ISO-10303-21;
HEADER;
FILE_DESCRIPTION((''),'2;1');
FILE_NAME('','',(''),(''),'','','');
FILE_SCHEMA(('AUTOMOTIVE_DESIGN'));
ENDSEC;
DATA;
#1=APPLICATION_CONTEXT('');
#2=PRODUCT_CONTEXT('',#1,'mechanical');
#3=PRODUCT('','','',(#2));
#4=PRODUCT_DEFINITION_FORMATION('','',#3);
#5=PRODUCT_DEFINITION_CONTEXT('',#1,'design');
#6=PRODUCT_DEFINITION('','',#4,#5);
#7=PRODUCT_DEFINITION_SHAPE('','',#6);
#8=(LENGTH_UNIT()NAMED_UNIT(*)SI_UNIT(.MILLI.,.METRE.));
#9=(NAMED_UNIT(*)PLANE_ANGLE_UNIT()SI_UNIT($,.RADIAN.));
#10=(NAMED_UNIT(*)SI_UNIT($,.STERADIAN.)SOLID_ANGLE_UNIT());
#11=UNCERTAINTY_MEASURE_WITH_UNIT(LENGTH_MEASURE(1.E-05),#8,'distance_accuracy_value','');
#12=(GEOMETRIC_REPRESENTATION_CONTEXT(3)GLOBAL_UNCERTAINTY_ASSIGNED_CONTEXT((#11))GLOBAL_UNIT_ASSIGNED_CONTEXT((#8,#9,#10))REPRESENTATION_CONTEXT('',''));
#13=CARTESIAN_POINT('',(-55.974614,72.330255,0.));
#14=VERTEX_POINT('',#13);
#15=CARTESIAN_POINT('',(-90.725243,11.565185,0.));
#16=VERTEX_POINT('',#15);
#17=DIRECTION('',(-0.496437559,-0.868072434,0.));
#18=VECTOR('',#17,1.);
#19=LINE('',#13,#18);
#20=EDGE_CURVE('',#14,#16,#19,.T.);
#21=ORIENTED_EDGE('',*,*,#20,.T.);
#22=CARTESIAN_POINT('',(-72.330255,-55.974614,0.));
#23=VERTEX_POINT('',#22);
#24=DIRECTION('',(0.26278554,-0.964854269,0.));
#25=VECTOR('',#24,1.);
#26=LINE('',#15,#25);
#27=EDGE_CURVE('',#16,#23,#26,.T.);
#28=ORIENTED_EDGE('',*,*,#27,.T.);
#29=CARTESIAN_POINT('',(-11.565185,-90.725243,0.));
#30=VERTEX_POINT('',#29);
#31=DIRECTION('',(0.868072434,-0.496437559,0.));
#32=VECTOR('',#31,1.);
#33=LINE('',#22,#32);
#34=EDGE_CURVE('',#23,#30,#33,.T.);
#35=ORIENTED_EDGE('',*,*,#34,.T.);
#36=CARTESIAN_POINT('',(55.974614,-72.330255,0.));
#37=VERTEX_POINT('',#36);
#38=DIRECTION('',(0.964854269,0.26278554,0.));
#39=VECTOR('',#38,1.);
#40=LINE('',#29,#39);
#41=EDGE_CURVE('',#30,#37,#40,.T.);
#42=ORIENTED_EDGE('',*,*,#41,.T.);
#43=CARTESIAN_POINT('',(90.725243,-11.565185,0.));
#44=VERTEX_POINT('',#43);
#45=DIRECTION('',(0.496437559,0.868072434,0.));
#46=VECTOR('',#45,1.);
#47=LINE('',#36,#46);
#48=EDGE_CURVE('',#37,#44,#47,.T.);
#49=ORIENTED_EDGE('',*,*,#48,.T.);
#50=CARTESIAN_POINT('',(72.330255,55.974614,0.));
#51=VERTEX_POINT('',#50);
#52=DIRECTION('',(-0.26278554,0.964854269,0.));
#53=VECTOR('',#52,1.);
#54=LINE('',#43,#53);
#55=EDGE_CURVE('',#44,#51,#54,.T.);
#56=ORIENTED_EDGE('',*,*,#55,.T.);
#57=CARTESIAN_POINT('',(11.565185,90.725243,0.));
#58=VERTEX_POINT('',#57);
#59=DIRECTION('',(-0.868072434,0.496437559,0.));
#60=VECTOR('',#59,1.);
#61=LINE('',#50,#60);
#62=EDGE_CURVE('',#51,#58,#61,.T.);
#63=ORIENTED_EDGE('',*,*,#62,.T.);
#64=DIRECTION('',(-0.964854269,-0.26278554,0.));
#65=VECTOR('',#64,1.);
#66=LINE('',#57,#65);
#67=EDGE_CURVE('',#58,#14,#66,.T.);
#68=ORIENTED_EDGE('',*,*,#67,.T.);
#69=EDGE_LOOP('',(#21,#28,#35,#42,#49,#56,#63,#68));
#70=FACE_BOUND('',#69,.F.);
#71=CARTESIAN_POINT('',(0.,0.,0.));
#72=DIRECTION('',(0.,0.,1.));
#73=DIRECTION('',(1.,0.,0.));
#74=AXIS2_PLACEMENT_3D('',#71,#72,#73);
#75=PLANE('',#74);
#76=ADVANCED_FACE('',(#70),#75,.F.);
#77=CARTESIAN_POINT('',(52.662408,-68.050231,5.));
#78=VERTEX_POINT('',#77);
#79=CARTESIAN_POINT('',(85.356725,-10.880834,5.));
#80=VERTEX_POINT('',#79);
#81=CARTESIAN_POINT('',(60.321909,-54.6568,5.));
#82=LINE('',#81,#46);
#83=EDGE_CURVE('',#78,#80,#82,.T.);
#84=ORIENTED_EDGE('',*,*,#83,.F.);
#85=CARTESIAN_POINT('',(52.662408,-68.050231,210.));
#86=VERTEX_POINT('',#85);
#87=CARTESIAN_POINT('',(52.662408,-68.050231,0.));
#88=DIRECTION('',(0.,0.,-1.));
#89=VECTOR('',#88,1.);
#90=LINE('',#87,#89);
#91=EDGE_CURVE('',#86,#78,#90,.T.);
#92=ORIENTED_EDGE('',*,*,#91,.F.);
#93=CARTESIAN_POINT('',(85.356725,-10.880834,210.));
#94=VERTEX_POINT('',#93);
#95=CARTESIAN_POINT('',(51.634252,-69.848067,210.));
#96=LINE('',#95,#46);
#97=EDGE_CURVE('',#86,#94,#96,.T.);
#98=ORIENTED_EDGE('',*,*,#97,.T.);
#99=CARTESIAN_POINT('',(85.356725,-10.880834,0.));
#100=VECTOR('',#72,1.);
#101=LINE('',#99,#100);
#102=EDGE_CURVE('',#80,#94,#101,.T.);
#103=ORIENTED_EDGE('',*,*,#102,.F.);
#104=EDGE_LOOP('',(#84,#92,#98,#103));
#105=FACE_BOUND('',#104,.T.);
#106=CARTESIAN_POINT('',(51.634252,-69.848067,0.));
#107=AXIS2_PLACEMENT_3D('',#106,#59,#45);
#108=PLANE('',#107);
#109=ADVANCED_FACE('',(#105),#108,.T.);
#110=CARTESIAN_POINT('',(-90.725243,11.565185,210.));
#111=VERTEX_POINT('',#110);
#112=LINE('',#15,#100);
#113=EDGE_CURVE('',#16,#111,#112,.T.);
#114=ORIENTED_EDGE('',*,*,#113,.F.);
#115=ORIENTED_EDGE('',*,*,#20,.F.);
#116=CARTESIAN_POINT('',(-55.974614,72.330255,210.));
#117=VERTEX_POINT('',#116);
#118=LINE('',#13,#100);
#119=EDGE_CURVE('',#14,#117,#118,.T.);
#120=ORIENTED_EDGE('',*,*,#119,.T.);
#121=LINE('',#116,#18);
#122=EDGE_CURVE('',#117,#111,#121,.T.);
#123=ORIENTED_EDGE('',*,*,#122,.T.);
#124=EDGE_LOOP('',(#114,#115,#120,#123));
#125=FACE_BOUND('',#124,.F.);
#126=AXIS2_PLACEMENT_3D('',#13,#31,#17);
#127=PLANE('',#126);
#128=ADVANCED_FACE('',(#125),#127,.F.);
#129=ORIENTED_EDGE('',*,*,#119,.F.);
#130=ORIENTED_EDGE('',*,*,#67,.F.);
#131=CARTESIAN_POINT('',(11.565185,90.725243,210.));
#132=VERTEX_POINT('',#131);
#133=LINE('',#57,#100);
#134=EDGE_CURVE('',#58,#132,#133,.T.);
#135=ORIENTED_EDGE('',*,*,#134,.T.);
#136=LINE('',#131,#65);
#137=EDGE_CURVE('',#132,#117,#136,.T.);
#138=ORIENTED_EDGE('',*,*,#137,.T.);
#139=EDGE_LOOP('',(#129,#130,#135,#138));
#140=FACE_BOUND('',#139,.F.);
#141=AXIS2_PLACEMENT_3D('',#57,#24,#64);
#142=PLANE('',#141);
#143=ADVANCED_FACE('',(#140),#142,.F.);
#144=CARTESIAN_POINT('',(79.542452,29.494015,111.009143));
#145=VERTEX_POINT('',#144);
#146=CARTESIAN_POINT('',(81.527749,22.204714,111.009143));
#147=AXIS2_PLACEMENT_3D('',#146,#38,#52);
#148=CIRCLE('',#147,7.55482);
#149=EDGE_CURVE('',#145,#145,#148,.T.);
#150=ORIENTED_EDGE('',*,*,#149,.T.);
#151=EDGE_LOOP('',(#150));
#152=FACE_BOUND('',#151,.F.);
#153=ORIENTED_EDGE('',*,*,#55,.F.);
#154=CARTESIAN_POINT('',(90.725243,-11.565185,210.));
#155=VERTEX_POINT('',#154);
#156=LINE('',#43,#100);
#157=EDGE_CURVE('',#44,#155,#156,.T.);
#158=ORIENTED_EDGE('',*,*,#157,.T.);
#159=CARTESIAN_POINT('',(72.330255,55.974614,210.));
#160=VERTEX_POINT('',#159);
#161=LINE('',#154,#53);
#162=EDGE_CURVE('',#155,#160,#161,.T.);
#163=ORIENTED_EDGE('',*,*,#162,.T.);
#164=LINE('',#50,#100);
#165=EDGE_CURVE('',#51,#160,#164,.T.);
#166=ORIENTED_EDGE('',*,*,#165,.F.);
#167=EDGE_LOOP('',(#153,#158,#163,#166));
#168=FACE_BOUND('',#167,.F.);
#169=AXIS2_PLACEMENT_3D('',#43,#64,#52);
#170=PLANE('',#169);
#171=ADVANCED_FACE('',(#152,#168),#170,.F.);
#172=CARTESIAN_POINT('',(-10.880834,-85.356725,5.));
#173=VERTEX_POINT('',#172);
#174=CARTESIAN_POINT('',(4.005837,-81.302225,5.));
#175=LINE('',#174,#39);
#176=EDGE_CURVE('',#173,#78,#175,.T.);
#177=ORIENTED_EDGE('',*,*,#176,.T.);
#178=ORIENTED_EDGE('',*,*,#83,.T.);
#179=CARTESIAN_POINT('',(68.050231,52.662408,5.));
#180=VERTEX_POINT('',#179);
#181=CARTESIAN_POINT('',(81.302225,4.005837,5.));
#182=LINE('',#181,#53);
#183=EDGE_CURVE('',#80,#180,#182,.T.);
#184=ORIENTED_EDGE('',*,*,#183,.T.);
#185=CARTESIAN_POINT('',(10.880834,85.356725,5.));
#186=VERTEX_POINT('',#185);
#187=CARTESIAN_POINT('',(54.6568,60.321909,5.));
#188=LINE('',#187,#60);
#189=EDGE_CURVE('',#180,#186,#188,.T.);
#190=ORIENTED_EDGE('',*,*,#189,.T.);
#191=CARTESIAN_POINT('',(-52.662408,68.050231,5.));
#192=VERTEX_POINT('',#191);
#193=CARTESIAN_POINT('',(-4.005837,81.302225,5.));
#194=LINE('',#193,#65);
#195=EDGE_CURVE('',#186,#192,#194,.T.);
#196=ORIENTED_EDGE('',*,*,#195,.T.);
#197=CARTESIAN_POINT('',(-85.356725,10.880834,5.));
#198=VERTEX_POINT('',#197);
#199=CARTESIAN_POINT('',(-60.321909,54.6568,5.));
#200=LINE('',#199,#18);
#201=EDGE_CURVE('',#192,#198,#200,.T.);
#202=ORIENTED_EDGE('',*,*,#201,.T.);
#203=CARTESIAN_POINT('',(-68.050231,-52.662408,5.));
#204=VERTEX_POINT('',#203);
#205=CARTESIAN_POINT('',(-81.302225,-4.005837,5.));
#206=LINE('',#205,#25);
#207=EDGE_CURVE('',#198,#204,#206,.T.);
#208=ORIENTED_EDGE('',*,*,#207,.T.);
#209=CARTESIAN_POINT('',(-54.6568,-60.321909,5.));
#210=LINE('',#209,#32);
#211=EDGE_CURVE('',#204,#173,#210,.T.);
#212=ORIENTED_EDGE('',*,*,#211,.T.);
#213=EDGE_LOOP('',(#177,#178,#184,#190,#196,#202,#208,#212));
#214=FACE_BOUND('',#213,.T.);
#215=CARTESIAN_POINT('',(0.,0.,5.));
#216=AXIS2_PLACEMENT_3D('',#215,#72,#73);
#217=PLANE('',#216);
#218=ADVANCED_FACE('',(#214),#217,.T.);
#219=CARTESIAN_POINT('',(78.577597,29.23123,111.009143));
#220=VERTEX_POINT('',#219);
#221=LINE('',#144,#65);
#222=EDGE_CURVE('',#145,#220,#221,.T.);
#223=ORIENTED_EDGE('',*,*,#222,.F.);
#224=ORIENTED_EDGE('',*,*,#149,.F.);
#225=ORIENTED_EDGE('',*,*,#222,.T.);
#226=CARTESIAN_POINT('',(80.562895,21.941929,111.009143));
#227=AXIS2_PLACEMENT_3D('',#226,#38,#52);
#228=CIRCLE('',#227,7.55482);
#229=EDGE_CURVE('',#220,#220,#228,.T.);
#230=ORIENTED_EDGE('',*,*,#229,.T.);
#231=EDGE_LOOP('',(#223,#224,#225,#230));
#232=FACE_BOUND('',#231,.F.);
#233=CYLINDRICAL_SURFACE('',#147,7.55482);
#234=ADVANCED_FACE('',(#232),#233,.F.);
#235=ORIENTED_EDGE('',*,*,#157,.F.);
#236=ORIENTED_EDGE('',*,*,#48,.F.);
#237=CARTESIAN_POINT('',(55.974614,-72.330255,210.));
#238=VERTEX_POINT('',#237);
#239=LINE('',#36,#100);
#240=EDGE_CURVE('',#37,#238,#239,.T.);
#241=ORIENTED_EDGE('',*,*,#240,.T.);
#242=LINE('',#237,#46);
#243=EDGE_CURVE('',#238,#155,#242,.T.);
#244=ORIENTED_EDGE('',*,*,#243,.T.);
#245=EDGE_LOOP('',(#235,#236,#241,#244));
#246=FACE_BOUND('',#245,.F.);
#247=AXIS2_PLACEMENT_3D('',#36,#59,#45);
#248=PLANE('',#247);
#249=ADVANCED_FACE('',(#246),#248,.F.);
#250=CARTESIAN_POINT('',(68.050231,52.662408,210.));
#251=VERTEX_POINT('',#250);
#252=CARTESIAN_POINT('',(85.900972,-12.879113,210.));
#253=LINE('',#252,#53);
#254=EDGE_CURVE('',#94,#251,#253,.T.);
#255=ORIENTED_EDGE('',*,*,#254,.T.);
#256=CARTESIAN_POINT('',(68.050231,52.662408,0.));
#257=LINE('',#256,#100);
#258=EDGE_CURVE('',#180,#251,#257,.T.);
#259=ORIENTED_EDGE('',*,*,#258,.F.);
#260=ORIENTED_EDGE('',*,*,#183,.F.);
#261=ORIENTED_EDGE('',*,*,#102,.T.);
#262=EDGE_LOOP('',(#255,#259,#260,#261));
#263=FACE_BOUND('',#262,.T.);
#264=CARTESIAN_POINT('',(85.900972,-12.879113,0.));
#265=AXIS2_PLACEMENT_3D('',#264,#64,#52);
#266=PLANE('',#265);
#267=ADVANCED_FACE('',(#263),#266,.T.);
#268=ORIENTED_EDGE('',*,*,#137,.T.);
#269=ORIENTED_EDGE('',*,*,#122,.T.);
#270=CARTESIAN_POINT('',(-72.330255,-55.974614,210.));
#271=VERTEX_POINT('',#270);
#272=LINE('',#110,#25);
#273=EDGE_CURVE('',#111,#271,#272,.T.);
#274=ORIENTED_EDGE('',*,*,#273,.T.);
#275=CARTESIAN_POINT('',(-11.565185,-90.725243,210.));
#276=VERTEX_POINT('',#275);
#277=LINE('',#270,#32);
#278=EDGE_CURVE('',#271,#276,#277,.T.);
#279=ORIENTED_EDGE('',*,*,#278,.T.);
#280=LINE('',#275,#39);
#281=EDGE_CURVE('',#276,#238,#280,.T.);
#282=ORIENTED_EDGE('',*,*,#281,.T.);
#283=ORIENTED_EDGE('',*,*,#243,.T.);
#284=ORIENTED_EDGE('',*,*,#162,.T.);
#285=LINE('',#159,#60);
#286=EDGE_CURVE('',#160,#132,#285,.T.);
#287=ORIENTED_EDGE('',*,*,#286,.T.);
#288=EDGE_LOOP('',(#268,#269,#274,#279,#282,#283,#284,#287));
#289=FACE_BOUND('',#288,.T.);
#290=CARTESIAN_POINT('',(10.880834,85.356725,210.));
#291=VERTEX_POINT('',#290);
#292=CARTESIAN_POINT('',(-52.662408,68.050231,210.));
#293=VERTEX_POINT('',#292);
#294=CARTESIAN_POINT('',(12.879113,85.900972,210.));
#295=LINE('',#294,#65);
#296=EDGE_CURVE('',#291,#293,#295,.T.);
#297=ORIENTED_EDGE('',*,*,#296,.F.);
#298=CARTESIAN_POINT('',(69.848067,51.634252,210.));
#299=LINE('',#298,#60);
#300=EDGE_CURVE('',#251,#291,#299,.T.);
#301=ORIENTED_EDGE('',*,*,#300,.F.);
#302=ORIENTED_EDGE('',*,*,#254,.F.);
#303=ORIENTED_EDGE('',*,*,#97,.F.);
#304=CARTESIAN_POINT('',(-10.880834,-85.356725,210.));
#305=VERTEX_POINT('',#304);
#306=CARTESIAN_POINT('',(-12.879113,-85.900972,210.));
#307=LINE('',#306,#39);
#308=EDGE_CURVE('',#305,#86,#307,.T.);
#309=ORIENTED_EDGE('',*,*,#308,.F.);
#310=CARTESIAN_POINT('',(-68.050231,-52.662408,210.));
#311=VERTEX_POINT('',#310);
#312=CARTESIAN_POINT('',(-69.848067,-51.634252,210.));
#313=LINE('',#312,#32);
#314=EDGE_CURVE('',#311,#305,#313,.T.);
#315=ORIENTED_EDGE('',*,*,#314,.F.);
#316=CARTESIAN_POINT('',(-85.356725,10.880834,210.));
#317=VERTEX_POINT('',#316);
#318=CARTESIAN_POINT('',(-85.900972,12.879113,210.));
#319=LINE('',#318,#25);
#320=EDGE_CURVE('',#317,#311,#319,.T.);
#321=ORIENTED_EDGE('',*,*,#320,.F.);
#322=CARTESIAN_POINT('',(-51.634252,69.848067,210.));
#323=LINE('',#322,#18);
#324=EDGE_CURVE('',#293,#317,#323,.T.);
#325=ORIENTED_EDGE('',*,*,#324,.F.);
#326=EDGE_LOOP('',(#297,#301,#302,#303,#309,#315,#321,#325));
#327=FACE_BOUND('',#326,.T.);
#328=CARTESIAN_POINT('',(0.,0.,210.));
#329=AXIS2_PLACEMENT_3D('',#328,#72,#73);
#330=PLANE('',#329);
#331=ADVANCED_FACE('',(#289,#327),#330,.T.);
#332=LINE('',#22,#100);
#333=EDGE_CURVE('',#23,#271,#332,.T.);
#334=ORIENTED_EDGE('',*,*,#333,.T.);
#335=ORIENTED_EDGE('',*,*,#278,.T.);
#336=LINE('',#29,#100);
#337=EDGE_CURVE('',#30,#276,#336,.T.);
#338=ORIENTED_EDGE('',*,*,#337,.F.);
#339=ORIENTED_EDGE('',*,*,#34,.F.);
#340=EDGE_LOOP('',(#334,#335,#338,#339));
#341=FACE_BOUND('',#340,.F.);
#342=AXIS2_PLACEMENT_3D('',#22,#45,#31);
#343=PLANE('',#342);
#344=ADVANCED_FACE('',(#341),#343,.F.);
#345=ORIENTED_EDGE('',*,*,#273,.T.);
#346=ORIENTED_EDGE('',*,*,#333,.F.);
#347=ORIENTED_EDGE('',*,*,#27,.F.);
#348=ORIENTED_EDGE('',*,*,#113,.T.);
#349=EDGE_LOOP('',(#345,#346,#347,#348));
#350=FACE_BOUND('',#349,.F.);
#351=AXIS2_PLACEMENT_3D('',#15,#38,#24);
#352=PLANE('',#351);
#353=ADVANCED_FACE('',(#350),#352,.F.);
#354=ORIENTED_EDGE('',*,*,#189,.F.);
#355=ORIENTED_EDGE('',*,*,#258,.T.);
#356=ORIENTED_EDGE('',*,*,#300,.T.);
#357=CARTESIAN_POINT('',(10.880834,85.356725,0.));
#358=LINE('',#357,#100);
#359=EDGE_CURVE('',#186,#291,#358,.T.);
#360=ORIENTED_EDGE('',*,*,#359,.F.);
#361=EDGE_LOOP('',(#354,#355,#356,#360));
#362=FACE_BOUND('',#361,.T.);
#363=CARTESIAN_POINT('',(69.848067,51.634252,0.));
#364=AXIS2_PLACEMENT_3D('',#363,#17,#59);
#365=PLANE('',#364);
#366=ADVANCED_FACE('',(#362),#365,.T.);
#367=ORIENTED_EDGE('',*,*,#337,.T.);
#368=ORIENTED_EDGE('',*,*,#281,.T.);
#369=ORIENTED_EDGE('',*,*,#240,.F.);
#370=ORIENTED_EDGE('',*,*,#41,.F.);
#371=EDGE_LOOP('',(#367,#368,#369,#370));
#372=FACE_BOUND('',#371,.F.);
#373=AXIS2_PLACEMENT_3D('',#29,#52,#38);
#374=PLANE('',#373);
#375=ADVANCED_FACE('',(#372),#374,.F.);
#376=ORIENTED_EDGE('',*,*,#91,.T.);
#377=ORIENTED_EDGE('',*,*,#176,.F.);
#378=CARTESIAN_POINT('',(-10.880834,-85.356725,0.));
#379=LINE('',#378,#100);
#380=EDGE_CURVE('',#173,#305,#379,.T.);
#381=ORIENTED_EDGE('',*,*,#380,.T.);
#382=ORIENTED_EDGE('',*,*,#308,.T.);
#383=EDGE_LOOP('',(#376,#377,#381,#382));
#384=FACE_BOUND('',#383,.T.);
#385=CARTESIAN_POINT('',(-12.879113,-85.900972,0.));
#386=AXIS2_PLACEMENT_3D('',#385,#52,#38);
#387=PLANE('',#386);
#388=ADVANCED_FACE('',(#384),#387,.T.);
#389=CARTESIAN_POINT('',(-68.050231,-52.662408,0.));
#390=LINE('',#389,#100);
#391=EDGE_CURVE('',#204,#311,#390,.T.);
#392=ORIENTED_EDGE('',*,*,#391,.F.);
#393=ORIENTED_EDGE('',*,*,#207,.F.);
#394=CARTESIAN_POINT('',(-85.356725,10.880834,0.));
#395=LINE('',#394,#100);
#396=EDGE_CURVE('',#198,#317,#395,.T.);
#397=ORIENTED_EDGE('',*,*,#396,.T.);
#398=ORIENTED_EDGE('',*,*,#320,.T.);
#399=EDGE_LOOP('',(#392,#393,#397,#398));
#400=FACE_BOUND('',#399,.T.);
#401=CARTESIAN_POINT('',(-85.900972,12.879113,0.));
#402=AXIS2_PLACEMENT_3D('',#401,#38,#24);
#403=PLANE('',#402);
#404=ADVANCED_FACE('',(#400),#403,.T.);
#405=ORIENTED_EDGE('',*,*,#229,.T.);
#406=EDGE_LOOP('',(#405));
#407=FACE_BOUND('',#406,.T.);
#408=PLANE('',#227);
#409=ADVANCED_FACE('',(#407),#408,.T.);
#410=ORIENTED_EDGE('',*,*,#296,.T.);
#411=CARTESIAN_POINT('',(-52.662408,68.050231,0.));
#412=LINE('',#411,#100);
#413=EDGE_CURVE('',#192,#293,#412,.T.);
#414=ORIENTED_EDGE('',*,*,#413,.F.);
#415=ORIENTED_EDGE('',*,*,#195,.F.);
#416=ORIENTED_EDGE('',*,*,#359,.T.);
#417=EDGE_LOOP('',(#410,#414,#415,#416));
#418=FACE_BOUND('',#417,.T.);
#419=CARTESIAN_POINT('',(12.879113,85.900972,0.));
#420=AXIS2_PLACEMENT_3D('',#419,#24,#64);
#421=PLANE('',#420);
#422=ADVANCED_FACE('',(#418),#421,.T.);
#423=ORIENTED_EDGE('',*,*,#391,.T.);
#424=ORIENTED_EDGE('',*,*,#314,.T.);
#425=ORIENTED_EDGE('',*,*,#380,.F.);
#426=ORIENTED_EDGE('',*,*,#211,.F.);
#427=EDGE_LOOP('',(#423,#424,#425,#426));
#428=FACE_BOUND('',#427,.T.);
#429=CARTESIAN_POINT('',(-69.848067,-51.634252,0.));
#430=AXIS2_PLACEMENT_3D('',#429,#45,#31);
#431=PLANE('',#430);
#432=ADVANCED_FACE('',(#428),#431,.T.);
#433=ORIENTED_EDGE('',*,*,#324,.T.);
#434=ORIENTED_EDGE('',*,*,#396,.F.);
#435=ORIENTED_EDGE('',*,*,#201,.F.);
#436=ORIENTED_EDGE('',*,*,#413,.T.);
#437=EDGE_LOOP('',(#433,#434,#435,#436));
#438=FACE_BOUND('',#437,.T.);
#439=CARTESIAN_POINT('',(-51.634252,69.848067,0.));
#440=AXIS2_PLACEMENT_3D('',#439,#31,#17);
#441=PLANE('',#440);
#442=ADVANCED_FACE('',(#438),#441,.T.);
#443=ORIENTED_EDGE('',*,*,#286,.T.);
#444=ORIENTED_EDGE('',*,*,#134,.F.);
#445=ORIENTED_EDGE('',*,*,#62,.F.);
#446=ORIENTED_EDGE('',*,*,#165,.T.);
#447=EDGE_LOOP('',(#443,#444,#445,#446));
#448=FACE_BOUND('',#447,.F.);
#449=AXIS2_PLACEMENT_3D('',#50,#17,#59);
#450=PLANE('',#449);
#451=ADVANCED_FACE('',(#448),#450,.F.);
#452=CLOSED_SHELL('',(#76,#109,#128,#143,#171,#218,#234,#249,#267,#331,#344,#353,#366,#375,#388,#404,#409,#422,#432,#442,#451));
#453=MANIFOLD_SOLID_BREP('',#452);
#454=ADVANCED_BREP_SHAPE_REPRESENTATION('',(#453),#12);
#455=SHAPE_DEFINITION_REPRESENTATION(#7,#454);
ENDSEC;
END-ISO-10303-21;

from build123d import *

# Parameters (mm, degrees)
F1_DEPTH = 210
F2_T     = -5
F3_R     = 7.5548203201
F4_DEPTH = 1


with BuildPart() as f1:
    # F0 (on Top) → F1 (new body)
    with BuildSketch(Plane.XY):
        Polygon((55.9746139076, -72.3302552581), (90.7252430464, -11.5651849096), (72.3302552581, 55.9746139076), (11.5651849096, 90.7252430464), (-55.9746139076, 72.3302552581), (-90.7252430464, 11.5651849096), (-72.3302552581, -55.9746139076), (-11.5651849096, -90.7252430464), align=None)
    extrude(amount=F1_DEPTH)

    # F2
    f2_openings = [f1.faces().sort_by_distance(p)[0] for p in [
        (0, 0, 210),
    ]]
    offset(amount=F2_T, openings=f2_openings)

    # F3 (on face) → F4 (cut)
    with BuildSketch(Plane(origin=(81.5277491522, 22.204714499, 0), x_dir=(-0.2627855398, 0.9648542688, 0), z_dir=(0.9648542688, 0.2627855398, 0))):
        with Locations((0, 111.0091432929)):
            Circle(F3_R)
    extrude(amount=-F4_DEPTH, mode=Mode.SUBTRACT)


solid = f1.part
